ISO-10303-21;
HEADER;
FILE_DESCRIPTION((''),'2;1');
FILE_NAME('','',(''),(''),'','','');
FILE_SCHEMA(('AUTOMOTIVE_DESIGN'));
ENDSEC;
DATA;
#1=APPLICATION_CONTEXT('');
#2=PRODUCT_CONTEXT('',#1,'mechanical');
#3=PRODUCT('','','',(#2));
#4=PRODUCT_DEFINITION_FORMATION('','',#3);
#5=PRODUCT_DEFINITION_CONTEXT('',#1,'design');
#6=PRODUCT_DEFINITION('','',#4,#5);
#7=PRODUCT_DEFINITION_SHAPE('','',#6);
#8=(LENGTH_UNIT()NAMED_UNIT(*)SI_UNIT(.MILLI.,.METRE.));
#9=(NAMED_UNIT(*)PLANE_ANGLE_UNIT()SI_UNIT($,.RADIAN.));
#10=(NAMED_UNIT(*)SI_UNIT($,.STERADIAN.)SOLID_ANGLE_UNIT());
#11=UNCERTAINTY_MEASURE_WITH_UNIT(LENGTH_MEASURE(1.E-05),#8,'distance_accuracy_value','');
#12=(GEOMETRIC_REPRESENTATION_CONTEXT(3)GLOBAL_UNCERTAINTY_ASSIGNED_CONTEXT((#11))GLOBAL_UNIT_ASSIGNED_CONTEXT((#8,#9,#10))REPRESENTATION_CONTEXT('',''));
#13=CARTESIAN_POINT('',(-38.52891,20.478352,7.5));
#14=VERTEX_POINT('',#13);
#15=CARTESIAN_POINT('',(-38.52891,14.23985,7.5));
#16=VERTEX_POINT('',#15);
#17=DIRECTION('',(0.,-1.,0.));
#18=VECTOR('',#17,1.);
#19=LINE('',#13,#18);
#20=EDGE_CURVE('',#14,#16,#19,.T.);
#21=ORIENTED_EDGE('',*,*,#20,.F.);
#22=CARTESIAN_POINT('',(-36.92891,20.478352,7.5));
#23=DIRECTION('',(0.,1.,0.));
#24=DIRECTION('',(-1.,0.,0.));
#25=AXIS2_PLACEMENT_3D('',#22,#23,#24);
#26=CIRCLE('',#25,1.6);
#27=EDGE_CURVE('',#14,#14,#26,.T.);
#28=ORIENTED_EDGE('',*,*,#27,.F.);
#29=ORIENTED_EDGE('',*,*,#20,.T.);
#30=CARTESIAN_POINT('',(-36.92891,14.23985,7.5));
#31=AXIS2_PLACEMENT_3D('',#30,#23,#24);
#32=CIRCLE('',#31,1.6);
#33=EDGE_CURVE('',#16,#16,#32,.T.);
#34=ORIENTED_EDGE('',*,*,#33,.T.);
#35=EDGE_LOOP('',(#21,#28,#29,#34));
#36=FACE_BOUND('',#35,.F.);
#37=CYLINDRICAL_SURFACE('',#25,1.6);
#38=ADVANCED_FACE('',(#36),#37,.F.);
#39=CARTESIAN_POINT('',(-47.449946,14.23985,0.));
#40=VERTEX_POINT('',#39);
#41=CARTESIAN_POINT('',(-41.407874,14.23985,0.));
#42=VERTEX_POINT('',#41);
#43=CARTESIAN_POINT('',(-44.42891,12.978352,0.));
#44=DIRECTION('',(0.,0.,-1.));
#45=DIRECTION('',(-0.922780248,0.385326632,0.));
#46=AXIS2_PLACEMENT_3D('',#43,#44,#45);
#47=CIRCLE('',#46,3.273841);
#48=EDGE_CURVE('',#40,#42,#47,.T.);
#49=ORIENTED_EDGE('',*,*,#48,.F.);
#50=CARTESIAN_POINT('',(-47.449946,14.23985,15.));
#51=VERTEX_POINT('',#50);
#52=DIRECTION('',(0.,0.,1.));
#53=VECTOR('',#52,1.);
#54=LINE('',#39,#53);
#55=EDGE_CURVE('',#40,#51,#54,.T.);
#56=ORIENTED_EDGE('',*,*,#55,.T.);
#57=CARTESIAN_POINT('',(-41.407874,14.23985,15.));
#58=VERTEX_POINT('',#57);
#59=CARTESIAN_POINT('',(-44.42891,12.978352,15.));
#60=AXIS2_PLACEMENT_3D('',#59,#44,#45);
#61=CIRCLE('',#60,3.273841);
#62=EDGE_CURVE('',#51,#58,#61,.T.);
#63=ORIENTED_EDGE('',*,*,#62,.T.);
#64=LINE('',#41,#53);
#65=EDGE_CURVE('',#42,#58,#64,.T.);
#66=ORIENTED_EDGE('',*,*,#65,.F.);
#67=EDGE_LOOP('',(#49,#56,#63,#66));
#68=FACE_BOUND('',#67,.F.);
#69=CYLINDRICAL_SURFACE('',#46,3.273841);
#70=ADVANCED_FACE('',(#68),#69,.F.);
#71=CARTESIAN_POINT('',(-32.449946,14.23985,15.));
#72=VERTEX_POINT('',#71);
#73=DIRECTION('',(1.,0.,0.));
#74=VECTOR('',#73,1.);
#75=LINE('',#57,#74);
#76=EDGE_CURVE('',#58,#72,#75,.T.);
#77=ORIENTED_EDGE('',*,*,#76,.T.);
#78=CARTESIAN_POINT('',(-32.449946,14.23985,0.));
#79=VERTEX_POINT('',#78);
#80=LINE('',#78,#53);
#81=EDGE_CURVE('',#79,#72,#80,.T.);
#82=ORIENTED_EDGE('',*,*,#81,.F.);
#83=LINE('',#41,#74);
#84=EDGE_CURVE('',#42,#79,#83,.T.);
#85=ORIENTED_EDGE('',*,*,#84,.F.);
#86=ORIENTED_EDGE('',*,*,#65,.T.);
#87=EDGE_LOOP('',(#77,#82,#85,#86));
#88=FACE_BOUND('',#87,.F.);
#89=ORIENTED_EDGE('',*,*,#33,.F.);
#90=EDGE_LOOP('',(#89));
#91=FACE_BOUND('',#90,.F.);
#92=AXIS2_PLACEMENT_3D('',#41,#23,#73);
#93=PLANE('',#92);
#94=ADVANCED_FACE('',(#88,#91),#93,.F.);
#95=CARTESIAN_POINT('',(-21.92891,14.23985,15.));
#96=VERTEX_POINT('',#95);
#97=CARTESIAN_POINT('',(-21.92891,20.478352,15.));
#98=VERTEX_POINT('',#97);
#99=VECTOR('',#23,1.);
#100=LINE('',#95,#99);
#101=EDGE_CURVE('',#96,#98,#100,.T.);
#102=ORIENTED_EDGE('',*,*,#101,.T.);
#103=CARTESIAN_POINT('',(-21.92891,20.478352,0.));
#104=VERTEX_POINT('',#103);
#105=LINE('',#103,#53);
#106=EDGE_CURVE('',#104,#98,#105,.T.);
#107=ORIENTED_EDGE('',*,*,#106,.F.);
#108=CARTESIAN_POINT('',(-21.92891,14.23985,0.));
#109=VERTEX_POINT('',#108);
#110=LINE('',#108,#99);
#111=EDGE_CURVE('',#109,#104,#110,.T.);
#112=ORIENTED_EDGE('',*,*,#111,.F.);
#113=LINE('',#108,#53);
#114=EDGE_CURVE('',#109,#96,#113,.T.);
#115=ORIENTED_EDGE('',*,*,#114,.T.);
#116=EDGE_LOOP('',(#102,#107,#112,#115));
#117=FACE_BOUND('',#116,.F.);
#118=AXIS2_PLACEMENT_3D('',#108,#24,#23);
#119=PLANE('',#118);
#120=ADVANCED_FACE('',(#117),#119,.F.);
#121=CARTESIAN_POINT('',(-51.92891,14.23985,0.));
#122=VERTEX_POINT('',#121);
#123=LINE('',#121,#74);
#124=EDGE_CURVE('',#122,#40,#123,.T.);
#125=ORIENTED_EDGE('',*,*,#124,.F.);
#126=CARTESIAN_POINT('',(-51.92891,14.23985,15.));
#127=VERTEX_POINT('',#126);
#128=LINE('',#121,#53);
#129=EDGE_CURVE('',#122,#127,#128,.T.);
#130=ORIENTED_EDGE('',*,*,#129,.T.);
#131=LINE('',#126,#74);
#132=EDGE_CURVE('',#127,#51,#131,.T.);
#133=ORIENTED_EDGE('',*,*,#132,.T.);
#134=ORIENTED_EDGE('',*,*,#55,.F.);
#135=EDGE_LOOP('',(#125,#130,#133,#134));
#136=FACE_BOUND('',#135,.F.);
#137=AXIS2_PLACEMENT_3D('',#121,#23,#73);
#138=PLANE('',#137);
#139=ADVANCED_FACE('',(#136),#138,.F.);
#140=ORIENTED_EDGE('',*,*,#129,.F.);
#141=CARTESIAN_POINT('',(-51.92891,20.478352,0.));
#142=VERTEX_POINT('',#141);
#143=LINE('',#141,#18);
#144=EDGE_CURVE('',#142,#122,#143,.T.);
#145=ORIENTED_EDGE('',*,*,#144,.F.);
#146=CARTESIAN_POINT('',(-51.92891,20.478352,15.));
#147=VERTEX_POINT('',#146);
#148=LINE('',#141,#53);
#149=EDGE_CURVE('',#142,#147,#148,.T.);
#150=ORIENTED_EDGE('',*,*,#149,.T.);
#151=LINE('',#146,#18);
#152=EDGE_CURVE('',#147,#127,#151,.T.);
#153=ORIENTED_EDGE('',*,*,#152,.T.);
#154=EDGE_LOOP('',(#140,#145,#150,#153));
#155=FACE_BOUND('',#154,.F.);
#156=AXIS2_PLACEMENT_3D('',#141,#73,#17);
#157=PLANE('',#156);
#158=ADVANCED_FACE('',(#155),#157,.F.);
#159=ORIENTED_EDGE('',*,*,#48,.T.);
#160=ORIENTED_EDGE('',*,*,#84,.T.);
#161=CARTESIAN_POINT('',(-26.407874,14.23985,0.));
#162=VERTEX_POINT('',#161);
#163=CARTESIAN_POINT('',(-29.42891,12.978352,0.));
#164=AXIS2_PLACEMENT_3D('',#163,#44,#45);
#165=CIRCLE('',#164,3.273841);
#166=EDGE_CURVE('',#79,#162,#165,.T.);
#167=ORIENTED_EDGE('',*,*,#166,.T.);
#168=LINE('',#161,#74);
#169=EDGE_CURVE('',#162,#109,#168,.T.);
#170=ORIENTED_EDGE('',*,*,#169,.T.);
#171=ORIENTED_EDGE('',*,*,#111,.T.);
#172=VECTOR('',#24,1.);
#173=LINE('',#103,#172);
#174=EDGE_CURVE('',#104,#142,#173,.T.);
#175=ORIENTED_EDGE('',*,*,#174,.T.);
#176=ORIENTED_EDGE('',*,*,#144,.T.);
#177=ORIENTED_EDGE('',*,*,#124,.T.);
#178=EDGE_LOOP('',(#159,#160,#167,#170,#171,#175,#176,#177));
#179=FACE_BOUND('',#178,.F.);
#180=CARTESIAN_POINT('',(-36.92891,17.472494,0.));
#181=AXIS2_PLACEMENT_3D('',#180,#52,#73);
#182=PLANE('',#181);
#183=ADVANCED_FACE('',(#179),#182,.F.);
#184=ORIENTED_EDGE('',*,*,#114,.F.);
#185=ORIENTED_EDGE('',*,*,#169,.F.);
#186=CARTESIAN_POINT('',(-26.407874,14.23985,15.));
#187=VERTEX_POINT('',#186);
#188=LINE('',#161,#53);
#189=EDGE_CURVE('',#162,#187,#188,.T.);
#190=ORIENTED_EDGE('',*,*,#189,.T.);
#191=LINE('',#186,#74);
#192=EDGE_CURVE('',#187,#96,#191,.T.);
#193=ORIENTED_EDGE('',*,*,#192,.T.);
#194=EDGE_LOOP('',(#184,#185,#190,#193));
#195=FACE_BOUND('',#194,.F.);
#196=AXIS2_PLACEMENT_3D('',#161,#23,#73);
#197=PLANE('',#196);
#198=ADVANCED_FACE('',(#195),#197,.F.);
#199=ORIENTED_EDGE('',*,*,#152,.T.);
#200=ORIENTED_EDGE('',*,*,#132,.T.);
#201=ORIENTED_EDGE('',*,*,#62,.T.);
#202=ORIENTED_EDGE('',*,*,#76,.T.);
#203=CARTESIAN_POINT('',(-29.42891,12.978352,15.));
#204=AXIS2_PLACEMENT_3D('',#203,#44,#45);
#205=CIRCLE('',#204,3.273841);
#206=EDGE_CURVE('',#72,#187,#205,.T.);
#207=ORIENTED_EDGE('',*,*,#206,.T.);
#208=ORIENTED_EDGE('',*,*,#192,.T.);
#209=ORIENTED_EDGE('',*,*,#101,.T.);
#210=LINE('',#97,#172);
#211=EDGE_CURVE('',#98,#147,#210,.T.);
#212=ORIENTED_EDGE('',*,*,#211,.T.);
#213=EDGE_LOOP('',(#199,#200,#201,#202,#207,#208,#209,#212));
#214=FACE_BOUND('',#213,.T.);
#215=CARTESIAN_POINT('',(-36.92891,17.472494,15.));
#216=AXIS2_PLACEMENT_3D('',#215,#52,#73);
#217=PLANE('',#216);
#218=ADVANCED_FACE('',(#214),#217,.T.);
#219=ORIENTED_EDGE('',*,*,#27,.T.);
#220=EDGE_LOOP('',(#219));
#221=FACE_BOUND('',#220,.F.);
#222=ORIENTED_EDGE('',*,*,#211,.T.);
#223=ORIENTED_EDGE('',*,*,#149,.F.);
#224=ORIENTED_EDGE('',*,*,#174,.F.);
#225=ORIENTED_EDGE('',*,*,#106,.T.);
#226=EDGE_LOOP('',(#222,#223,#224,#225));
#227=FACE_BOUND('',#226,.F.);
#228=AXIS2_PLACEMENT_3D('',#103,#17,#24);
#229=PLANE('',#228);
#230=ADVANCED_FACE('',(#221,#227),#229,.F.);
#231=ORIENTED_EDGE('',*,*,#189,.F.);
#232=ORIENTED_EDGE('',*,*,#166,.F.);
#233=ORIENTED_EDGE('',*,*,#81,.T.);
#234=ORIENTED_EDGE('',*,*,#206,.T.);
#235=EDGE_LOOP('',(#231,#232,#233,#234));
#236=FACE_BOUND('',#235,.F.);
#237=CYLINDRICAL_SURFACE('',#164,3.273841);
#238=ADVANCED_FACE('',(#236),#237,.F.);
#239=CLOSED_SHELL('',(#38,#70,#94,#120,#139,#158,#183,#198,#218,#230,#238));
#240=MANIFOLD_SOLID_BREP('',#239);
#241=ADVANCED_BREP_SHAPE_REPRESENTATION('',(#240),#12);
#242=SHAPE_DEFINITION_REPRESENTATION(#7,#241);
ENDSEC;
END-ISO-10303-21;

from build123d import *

# Parameters (mm, degrees)
F1_DEPTH = 15
F2_R     = 1.6
F3_DEPTH = 7


with BuildPart() as f1:
    # F0 (on Top) → F1 (new body)
    with BuildSketch(Plane.XY):
        with BuildLine():
            Line((-21.92891, 20.478352), (-51.92891, 20.478352))
            Line((-51.92891, 20.478352), (-51.92891, 14.23985))
            Line((-51.92891, 14.23985), (-47.449946, 14.23985))
            ThreePointArc((-47.449946, 14.23985), (-44.42891, 16.252193), (-41.407874, 14.23985))
            Line((-41.407874, 14.23985), (-32.449946, 14.23985))
            ThreePointArc((-32.449946, 14.23985), (-29.42891, 16.252193), (-26.407874, 14.23985))
            Line((-26.407874, 14.23985), (-21.92891, 14.23985))
            Line((-21.92891, 14.23985), (-21.92891, 20.478352))
        make_face()
    extrude(amount=F1_DEPTH)

    # F2 (on face) → F3 (cut)
    with BuildSketch(Plane(origin=(0, 20.478352, 0), x_dir=(-1, 0, 0), z_dir=(0, 1, 0))):
        with Locations((36.92891, 7.5)):
            Circle(F2_R)
    extrude(amount=-F3_DEPTH, mode=Mode.SUBTRACT)


solid = f1.part
